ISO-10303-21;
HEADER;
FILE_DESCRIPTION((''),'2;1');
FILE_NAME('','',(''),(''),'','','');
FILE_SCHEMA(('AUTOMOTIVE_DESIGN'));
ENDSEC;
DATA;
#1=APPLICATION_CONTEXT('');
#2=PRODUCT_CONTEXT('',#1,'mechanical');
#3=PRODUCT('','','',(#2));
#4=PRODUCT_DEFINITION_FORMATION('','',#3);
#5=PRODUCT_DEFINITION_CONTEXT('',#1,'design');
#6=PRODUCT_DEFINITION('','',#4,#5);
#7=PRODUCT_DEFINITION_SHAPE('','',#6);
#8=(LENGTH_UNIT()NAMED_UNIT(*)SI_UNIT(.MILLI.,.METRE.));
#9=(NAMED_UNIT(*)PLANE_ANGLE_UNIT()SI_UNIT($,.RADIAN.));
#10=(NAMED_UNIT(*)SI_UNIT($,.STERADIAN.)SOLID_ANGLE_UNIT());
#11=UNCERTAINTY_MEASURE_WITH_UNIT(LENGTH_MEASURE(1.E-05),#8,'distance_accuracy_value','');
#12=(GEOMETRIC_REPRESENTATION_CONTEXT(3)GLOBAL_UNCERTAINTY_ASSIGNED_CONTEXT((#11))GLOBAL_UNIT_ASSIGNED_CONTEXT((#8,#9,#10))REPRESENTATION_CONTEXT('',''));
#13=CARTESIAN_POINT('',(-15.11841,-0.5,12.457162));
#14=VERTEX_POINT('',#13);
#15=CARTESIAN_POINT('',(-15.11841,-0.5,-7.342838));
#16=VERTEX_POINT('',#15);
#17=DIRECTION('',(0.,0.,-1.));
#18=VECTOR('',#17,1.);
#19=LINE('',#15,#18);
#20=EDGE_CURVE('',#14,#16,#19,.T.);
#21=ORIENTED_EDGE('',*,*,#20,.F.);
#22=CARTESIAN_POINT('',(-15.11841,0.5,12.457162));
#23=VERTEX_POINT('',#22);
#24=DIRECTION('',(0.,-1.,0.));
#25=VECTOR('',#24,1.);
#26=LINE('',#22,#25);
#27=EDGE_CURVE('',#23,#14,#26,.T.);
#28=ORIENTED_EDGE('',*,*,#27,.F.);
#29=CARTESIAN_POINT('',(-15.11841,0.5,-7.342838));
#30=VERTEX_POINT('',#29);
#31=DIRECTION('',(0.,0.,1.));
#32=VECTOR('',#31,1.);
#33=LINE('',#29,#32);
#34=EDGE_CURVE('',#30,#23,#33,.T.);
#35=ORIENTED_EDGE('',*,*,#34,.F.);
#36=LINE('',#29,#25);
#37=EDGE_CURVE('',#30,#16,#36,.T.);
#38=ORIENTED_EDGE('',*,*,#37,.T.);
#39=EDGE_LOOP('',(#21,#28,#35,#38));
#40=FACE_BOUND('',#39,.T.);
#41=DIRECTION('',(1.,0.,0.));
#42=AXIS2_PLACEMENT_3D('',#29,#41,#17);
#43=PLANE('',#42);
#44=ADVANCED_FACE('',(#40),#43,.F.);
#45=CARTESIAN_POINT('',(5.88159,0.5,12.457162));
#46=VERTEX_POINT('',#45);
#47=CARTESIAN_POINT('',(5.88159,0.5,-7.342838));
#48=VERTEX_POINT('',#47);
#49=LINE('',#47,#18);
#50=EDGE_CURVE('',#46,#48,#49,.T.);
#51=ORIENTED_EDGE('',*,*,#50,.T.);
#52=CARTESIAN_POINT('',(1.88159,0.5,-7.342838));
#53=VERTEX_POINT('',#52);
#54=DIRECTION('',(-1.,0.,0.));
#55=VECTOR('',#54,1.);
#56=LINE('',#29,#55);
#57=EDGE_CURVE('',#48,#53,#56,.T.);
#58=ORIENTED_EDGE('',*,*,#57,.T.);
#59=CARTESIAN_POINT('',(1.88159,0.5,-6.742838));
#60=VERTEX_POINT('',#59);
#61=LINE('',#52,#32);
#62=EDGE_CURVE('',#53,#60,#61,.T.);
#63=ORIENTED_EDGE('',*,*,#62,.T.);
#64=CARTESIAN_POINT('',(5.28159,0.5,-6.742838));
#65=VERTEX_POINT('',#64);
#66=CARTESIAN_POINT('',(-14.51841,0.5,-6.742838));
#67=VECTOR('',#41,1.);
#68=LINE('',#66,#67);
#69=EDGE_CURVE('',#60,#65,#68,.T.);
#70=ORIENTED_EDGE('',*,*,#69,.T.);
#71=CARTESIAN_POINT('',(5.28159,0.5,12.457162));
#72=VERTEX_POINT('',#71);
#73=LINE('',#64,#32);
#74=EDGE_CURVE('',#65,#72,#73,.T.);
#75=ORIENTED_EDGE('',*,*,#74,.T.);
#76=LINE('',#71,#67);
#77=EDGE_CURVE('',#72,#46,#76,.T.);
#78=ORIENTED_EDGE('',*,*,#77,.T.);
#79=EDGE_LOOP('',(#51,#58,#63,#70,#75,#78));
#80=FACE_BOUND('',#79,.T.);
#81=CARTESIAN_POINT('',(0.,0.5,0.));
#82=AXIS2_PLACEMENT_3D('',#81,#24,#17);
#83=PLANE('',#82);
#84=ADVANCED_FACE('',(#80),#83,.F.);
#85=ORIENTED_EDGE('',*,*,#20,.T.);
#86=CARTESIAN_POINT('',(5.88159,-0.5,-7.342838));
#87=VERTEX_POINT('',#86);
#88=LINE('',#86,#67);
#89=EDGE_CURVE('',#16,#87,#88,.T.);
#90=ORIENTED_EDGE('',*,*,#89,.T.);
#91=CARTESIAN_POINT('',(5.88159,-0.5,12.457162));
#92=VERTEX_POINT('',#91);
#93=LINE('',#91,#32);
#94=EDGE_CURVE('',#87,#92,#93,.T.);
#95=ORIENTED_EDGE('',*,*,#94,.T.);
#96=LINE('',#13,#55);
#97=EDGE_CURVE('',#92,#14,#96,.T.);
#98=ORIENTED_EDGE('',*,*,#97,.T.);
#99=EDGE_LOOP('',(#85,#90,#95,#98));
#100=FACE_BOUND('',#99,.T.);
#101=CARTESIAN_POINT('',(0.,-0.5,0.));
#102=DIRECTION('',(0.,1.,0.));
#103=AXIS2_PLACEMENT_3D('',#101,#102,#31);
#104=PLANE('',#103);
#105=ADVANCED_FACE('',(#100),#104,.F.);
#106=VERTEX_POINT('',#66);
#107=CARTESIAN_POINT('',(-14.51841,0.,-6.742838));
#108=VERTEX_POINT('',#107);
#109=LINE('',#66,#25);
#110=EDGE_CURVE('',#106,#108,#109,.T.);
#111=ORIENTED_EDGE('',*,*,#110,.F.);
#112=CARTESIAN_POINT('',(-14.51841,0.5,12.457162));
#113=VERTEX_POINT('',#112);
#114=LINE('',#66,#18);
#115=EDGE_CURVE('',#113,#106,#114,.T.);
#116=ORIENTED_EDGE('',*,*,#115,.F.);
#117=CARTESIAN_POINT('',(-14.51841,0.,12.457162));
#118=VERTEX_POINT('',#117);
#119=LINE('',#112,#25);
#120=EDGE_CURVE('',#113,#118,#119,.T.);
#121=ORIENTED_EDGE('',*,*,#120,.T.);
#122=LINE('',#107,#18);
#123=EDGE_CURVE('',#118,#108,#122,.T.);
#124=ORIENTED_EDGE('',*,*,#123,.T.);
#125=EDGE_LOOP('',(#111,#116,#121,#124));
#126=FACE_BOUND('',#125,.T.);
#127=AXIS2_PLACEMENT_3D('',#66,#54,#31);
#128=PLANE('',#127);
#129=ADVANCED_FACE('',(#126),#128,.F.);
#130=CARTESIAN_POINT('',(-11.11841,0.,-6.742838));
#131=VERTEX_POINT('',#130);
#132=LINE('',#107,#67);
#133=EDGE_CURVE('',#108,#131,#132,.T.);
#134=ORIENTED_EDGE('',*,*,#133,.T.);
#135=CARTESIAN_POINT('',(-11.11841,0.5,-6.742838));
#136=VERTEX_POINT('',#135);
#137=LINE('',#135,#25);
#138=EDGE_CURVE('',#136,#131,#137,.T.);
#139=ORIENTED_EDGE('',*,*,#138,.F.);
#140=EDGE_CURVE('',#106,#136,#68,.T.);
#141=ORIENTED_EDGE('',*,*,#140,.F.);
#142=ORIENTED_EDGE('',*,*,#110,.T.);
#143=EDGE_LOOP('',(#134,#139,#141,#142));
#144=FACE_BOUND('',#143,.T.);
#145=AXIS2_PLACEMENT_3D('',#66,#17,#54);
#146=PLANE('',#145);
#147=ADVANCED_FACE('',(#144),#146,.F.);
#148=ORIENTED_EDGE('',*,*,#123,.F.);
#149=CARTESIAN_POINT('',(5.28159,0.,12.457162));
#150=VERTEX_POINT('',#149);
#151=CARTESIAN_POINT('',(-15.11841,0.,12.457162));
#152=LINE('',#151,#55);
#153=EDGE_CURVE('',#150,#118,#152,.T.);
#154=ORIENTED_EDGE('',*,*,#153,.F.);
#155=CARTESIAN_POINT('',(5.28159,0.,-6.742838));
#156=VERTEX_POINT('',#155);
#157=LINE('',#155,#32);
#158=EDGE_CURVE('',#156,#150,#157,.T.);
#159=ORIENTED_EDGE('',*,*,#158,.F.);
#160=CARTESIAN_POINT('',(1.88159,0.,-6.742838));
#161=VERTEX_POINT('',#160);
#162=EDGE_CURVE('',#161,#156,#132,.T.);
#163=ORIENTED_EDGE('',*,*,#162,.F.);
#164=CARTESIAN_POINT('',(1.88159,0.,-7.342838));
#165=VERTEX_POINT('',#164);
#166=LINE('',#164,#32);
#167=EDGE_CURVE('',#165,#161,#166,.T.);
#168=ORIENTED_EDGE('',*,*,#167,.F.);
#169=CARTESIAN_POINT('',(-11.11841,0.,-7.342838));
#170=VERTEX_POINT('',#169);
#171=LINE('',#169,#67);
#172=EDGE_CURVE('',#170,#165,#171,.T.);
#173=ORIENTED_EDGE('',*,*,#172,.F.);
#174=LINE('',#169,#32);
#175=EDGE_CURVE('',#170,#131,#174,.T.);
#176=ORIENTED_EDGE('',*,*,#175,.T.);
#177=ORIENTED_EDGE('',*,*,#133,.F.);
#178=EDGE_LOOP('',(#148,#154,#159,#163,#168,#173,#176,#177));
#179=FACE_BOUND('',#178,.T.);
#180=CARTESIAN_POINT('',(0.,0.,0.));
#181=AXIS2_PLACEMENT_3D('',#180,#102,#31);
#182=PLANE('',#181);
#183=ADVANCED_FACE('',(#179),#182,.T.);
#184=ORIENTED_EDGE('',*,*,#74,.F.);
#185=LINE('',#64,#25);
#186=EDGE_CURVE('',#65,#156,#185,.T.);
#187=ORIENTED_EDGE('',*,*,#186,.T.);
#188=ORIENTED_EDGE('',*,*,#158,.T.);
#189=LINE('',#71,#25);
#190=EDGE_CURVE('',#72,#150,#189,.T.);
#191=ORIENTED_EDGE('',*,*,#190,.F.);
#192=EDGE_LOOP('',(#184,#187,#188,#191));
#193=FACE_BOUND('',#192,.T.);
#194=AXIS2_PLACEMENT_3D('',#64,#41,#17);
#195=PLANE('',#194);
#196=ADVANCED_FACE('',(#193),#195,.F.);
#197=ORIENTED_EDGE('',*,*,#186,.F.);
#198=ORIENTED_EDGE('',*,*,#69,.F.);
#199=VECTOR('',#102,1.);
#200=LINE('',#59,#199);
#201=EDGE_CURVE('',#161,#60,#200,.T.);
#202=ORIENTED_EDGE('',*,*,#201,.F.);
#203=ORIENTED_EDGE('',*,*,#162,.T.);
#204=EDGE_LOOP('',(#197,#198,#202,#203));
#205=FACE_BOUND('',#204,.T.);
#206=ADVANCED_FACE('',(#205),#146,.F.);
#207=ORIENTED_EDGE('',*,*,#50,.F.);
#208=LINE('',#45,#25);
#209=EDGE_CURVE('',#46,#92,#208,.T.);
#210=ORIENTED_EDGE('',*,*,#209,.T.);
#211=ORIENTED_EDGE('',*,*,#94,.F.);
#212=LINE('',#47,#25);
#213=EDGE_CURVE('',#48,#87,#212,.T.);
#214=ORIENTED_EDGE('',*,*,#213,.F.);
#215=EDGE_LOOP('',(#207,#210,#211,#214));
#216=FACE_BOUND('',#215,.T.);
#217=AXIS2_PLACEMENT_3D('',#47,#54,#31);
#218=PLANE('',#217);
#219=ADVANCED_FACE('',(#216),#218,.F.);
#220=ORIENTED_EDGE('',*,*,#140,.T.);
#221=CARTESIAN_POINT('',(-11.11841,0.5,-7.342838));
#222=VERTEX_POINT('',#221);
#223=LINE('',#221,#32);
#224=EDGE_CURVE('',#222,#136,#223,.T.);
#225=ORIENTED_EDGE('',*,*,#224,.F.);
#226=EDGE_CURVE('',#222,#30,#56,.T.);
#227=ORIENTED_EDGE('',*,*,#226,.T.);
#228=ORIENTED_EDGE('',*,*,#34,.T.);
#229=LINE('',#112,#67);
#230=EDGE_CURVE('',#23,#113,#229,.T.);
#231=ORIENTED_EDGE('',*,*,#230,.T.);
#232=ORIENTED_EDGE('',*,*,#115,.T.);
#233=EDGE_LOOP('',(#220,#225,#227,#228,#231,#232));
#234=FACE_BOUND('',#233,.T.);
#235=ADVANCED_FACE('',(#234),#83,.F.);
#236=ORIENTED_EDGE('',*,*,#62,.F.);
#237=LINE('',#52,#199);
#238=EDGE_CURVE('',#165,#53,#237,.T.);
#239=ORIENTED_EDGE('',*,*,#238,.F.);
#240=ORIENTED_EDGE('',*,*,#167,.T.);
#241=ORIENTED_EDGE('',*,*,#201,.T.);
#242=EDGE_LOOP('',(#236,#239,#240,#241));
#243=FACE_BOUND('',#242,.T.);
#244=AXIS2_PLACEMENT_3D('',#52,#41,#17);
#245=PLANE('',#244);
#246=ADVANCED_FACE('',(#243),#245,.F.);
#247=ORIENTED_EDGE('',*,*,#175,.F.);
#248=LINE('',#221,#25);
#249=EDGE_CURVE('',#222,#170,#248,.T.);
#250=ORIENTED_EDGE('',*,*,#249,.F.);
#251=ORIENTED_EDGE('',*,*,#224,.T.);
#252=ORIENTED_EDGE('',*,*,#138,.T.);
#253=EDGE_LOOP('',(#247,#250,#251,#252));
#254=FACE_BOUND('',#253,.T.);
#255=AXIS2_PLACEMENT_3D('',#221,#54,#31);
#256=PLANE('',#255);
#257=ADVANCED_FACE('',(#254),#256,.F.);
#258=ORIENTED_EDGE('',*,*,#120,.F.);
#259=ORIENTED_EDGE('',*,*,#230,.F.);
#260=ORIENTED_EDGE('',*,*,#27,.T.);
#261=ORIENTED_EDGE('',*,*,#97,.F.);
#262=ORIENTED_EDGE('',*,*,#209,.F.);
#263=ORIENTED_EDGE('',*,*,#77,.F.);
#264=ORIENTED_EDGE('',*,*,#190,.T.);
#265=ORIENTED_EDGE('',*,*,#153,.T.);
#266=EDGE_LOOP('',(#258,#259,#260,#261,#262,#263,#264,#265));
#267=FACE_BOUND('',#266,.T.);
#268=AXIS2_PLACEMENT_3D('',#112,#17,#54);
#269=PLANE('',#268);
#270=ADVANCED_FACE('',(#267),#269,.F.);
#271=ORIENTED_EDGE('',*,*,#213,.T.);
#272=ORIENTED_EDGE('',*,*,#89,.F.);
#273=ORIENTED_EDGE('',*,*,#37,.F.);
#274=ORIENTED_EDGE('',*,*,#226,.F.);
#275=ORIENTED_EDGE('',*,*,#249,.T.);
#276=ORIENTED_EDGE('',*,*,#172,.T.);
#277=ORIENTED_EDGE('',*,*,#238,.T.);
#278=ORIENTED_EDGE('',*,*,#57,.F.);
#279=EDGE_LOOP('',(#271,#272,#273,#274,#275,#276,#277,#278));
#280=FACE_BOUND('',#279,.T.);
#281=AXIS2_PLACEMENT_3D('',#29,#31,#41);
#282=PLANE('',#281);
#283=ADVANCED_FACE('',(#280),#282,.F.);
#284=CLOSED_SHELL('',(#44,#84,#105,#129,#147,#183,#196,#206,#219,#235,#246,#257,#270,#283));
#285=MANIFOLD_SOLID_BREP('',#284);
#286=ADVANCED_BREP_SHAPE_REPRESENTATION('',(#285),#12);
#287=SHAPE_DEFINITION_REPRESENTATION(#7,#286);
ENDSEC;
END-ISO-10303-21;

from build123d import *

# Parameters (mm, degrees)
BOSS_EXTRUDE1_DEPTH = 0.5
SKETCH2_W           = 21
SKETCH2_H           = 19.8
BOSS_EXTRUDE2_DEPTH = 0.5
SKETCH3_W           = 13
SKETCH3_H           = 0.5
CUT_EXTRUDE1_DEPTH  = 25.442919676


with BuildPart() as part:
    # Sketch1 → Boss-Extrude1 (new body)
    with BuildSketch(Plane(origin=(0, 0, 0), x_dir=(1, 0, 0), z_dir=(0, 1, 0))):
        Polygon((-15.118410045, 7.342838361), (-15.118410045, -12.457161639), (-14.518410045, -12.457161639), (-14.518410045, 6.742838361), (5.281589955, 6.742838361), (5.281589955, -12.457161639), (5.881589955, -12.457161639), (5.881589955, 7.342838361), align=None)
    extrude(amount=BOSS_EXTRUDE1_DEPTH)

    # Sketch2 → Boss-Extrude2 (add)
    with BuildSketch(Plane.XZ):
        with Locations((-4.618410045, 2.557161639)):
            Rectangle(SKETCH2_W, SKETCH2_H)
    extrude(amount=BOSS_EXTRUDE2_DEPTH)

    # Sketch3 → Cut-Extrude1 (cut, through all)
    with BuildSketch(Plane.XY.offset(-6.742838361)):
        with Locations((-4.618410045, 0.25)):
            Rectangle(SKETCH3_W, SKETCH3_H)
    extrude(amount=-CUT_EXTRUDE1_DEPTH, mode=Mode.SUBTRACT)


solid = part.part
